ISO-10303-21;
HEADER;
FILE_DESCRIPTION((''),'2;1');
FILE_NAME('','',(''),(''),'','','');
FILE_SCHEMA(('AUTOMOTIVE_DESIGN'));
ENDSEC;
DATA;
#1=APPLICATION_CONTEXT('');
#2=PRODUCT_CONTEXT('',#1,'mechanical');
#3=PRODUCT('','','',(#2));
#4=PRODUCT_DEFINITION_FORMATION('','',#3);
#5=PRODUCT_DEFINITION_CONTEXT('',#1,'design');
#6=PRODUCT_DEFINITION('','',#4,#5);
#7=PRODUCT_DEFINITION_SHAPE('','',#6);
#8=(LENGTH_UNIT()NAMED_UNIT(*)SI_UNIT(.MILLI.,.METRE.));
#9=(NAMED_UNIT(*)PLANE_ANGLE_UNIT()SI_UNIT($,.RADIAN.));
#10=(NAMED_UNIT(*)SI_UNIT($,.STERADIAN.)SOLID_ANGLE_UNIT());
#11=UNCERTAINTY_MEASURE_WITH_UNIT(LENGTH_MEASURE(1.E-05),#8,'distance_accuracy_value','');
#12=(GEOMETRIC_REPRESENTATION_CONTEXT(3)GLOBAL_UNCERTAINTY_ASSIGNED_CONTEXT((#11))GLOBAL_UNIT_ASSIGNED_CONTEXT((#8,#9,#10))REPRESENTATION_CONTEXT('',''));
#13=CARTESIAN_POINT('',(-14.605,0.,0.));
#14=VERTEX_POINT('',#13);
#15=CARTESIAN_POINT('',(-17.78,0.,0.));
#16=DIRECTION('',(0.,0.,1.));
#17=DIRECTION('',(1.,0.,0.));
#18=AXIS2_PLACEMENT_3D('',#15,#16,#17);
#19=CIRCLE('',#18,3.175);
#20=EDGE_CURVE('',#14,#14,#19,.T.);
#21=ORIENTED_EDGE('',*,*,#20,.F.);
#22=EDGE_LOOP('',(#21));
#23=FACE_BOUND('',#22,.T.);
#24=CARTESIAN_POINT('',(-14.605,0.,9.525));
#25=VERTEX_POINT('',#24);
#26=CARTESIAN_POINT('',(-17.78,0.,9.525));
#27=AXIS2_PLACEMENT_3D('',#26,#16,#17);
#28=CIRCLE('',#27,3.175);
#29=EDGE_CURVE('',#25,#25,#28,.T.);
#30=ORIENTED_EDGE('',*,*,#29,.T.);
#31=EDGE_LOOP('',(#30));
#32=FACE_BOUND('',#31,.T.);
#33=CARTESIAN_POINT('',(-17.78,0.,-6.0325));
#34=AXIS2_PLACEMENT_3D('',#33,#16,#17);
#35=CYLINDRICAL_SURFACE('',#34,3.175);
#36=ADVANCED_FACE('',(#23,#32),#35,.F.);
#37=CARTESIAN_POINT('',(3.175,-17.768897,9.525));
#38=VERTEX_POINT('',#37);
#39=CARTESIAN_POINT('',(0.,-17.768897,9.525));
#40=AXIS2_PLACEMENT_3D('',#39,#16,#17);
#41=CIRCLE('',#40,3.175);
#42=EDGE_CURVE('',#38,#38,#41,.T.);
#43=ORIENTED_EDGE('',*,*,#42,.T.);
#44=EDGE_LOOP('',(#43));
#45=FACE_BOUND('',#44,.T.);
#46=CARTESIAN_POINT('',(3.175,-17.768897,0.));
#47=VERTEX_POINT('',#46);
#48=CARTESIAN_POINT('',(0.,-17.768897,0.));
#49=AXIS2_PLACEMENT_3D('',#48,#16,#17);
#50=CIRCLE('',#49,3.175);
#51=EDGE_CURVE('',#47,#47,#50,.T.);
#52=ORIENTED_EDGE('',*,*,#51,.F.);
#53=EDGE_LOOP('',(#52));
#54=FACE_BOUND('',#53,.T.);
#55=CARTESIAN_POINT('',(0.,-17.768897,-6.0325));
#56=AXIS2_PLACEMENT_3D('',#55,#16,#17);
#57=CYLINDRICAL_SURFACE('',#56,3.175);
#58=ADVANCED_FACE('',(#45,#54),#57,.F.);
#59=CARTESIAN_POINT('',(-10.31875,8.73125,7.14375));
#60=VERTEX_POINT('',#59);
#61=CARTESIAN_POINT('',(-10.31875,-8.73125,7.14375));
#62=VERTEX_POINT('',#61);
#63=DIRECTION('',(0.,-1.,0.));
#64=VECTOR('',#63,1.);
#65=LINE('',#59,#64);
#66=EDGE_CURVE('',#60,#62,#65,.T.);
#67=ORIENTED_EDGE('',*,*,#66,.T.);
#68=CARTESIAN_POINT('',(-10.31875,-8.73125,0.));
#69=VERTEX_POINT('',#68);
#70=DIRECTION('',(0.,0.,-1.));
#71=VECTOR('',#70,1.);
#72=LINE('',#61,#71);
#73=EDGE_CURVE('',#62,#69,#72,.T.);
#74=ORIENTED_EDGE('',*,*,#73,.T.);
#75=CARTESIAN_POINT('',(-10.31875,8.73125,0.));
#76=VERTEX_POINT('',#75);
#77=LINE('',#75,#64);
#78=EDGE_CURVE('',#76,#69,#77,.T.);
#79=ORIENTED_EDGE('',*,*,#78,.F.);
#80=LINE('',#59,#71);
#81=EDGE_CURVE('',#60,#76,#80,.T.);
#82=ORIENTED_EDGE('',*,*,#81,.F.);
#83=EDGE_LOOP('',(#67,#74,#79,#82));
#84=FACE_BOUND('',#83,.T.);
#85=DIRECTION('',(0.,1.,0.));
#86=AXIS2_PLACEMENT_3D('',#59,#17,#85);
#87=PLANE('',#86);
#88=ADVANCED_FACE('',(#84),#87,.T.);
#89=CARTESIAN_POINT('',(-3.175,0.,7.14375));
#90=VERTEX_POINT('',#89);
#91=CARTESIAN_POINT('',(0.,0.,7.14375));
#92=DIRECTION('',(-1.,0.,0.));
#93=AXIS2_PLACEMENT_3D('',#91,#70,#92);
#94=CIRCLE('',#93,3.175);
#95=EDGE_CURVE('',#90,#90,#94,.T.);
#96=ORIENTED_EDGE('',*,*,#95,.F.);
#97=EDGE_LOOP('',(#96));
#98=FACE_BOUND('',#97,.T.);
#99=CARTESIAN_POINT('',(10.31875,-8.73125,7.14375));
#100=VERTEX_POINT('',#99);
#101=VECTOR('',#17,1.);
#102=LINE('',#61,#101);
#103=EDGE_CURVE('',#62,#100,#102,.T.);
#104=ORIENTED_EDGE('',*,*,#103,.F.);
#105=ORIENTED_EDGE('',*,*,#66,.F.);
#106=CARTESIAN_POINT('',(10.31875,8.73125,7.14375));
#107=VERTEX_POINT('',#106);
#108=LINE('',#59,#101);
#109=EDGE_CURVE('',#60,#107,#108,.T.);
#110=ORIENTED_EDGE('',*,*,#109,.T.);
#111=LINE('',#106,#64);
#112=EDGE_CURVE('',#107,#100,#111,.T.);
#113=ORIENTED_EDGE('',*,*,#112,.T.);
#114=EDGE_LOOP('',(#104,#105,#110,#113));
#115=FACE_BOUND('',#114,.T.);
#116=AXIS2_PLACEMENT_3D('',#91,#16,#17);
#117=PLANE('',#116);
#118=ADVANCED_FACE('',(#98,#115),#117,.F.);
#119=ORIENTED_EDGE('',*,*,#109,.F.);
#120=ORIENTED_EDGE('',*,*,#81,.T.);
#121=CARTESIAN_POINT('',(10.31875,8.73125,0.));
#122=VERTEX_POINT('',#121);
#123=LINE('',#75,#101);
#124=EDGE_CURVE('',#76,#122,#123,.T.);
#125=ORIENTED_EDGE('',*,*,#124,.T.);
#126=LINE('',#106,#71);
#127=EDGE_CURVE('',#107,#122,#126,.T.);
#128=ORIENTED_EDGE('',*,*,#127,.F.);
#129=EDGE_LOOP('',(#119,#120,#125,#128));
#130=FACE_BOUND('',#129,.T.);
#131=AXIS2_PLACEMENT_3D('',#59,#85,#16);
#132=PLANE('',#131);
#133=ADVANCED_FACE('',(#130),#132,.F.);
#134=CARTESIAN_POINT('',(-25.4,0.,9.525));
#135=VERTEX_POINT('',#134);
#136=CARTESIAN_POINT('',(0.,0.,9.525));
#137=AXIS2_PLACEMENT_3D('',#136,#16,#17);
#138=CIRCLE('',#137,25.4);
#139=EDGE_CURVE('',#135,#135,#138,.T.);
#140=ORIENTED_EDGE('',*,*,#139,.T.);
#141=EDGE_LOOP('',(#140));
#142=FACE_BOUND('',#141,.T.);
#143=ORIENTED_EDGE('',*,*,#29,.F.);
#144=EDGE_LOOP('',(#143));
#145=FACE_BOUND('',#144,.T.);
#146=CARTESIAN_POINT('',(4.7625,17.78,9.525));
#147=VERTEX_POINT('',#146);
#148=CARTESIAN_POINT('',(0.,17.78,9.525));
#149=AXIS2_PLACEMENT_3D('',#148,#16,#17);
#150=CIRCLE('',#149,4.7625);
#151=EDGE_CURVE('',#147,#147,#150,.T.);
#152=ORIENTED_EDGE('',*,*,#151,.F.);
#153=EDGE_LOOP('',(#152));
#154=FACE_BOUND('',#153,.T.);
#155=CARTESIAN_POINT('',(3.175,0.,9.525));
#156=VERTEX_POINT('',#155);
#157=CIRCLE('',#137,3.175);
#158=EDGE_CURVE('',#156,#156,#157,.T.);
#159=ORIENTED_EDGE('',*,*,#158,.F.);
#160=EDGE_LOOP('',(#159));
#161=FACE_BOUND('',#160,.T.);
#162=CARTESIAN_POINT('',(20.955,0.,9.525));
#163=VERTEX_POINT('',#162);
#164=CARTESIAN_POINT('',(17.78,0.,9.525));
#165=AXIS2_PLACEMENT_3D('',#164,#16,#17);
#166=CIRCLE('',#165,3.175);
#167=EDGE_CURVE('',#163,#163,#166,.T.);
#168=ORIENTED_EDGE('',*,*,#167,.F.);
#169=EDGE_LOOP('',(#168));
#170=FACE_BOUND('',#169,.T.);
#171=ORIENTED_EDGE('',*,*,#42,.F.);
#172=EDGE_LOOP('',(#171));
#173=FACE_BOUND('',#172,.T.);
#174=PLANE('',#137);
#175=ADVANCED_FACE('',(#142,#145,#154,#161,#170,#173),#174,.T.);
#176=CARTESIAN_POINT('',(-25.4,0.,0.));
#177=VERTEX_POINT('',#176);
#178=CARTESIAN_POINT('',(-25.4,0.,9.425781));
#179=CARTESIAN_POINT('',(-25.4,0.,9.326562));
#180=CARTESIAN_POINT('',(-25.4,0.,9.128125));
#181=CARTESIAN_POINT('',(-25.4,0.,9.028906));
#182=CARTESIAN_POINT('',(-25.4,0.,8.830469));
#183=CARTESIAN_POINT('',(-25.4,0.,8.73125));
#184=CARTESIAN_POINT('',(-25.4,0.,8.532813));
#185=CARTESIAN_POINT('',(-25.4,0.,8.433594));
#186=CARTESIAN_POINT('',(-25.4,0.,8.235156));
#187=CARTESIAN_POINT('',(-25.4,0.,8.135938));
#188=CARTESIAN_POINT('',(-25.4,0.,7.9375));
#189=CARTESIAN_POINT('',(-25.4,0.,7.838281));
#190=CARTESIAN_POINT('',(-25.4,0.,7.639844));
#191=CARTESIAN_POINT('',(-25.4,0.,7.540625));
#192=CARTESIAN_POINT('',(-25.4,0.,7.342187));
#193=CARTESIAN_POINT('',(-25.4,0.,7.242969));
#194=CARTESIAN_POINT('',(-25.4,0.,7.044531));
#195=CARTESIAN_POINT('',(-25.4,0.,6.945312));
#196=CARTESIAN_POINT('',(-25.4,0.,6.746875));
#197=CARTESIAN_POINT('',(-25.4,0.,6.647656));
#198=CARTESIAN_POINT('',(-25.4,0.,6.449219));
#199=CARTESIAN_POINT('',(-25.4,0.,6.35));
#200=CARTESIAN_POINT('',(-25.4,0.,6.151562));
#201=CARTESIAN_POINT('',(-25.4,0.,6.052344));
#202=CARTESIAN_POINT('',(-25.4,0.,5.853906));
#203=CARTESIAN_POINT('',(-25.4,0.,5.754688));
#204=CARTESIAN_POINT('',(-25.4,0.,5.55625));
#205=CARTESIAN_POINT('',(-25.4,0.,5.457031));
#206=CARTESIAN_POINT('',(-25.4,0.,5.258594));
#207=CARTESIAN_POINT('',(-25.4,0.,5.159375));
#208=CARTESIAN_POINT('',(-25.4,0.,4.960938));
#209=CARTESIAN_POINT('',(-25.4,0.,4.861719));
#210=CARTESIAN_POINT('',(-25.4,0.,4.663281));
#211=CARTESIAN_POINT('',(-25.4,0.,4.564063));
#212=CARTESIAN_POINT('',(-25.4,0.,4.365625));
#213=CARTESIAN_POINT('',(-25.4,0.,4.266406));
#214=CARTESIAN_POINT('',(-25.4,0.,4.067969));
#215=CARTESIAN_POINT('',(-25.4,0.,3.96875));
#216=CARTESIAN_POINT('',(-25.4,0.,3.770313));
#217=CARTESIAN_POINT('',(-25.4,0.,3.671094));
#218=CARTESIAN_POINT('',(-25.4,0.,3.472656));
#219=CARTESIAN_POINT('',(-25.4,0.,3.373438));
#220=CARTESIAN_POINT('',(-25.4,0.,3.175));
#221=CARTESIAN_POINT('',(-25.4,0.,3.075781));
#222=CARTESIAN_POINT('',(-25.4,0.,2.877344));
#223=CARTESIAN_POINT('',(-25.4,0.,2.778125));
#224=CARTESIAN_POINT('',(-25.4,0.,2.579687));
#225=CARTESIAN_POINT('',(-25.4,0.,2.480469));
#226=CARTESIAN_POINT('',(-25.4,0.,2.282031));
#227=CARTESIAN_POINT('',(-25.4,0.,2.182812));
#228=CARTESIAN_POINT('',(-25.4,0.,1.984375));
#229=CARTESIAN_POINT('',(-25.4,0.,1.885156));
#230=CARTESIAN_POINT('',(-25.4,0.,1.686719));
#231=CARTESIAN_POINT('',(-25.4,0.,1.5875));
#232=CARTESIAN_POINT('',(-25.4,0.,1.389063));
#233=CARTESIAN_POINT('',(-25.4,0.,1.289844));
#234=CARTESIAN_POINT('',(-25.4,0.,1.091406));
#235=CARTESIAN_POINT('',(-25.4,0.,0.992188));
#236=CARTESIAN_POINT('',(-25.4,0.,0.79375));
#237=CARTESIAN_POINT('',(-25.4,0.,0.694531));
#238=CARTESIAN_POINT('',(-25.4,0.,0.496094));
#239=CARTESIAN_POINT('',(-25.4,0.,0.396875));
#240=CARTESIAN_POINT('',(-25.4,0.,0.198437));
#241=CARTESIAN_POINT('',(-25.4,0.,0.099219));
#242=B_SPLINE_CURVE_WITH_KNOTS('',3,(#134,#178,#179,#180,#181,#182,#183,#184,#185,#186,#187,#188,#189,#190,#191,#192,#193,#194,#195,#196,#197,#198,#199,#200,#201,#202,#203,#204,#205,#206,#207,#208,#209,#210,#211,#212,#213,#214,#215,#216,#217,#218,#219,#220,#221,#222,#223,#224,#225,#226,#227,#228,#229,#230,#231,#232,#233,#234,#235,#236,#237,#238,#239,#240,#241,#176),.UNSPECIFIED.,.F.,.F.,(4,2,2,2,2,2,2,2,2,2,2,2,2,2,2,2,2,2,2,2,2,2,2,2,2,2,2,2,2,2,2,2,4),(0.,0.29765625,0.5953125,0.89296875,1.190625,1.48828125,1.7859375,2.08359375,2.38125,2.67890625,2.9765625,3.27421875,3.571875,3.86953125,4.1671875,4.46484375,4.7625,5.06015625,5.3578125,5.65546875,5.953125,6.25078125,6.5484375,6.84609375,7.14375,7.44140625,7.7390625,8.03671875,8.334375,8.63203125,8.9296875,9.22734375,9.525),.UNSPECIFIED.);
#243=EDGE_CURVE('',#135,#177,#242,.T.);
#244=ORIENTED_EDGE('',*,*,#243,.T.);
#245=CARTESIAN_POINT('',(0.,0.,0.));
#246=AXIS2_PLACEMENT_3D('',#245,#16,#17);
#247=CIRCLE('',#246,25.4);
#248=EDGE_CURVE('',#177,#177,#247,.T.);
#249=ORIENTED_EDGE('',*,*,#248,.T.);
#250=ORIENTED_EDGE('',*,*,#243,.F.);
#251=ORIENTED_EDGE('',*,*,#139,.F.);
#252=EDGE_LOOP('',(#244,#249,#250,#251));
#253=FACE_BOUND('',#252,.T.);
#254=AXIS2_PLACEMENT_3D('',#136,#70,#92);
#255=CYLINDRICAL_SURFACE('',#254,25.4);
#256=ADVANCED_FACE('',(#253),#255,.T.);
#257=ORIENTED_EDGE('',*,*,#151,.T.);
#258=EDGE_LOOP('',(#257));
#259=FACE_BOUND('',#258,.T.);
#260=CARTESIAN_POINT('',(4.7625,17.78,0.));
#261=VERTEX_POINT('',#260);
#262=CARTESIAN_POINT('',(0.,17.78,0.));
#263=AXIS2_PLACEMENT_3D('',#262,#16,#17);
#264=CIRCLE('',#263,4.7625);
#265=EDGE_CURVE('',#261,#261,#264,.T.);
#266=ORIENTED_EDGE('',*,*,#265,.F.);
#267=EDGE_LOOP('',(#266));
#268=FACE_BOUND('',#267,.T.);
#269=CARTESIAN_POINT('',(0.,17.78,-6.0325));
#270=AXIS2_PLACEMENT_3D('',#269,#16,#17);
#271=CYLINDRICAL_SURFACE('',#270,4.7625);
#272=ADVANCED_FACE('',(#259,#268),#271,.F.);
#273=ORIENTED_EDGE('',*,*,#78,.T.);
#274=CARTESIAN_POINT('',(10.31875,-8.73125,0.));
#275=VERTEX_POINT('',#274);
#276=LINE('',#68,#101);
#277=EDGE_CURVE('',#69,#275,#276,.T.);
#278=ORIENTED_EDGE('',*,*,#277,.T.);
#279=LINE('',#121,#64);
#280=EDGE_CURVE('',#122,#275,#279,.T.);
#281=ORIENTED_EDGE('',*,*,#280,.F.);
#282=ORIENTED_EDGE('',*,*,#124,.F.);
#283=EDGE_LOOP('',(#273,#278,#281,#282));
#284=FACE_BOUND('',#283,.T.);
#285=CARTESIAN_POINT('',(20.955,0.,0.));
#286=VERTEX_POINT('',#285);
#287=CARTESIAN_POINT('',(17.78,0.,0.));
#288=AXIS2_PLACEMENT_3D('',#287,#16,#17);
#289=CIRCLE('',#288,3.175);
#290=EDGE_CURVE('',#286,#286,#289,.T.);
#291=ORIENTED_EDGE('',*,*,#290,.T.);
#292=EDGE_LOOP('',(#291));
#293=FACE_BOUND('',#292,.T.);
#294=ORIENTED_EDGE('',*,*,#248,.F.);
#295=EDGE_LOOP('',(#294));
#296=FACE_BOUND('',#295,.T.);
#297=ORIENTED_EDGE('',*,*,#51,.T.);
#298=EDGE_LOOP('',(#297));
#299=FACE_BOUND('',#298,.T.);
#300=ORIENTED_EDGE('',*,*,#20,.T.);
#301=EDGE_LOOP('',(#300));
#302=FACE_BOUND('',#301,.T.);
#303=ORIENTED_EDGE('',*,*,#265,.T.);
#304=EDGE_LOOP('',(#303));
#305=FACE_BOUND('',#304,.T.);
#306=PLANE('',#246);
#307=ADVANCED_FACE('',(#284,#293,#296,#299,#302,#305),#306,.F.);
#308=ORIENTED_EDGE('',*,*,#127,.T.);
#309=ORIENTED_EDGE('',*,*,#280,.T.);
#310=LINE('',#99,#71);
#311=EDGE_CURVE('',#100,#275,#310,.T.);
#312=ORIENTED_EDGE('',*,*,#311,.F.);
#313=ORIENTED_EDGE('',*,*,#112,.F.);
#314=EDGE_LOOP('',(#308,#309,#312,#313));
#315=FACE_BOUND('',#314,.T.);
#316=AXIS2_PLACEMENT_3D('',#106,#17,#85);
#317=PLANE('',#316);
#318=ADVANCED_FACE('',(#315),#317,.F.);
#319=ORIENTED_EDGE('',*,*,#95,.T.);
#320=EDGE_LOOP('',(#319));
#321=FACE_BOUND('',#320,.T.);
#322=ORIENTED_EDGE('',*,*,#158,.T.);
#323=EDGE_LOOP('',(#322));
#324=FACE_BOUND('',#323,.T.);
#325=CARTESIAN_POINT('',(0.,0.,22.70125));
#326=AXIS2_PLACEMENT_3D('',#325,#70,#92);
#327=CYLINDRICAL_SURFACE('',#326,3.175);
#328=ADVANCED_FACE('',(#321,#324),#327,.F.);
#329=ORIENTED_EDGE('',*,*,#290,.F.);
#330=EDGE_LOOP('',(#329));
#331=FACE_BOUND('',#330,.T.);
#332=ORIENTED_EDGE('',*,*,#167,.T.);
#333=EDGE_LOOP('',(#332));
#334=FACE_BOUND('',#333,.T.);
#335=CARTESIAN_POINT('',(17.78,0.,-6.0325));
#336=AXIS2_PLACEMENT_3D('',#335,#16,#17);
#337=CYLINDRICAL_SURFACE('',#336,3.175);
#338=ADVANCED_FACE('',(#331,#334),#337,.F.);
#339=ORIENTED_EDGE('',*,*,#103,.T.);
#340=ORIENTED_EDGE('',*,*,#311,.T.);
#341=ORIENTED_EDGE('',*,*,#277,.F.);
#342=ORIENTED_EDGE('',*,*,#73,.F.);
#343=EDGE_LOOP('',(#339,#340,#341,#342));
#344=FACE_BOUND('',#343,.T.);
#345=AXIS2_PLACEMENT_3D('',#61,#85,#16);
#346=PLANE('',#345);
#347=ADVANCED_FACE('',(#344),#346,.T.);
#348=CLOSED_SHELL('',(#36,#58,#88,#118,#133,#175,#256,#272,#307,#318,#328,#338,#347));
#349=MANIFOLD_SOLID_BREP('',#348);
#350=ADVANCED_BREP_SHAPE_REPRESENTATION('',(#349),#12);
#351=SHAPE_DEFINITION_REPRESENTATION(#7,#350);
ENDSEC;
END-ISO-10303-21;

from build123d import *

# Parameters (mm, degrees)
SKETCH1_R           = 25.4
BOSS_EXTRUDE1_DEPTH = 9.525
SKETCH2_W           = 20.6375
SKETCH2_H           = 17.4625
CUT_EXTRUDE1_DEPTH  = 7.14375
SKETCH3_R           = 3.175
CUT_EXTRUDE9_DEPTH  = 15.5575
SKETCH5_R           = 4.7625
SKETCH5_R_2         = 3.175
CUT_EXTRUDE10_DEPTH = 15.5575


with BuildPart() as part:
    # Sketch1 → Boss-Extrude1 (new body)
    with BuildSketch(Plane.XY):
        with Locations(Location((0, 0, 0), (0, 0, 180))):
            Circle(SKETCH1_R)
    extrude(amount=BOSS_EXTRUDE1_DEPTH)

    # Sketch2 → Cut-Extrude1 (cut)
    with BuildSketch(Plane.XY):
        Rectangle(SKETCH2_W, SKETCH2_H)
    extrude(amount=CUT_EXTRUDE1_DEPTH, mode=Mode.SUBTRACT)

    # Sketch3 → Cut-Extrude9 (cut)
    with BuildSketch(Plane(origin=(0, 0, 7.14375), x_dir=(-1, 0, 0), z_dir=(0, 0, -1))):
        Circle(SKETCH3_R)
    extrude(amount=-CUT_EXTRUDE9_DEPTH, mode=Mode.SUBTRACT)

    # Sketch5 → Cut-Extrude10 (cut)
    with BuildSketch(Plane.XY.offset(9.525)):
        with Locations((0, 17.78)):
            Circle(SKETCH5_R)
        with Locations((17.78, 0)):
            Circle(SKETCH5_R_2)
        with Locations((0, -17.768897269)):
            Circle(SKETCH5_R_2)
        with Locations((-17.78, 0)):
            Circle(SKETCH5_R_2)
    extrude(amount=-CUT_EXTRUDE10_DEPTH, mode=Mode.SUBTRACT)


solid = part.part
